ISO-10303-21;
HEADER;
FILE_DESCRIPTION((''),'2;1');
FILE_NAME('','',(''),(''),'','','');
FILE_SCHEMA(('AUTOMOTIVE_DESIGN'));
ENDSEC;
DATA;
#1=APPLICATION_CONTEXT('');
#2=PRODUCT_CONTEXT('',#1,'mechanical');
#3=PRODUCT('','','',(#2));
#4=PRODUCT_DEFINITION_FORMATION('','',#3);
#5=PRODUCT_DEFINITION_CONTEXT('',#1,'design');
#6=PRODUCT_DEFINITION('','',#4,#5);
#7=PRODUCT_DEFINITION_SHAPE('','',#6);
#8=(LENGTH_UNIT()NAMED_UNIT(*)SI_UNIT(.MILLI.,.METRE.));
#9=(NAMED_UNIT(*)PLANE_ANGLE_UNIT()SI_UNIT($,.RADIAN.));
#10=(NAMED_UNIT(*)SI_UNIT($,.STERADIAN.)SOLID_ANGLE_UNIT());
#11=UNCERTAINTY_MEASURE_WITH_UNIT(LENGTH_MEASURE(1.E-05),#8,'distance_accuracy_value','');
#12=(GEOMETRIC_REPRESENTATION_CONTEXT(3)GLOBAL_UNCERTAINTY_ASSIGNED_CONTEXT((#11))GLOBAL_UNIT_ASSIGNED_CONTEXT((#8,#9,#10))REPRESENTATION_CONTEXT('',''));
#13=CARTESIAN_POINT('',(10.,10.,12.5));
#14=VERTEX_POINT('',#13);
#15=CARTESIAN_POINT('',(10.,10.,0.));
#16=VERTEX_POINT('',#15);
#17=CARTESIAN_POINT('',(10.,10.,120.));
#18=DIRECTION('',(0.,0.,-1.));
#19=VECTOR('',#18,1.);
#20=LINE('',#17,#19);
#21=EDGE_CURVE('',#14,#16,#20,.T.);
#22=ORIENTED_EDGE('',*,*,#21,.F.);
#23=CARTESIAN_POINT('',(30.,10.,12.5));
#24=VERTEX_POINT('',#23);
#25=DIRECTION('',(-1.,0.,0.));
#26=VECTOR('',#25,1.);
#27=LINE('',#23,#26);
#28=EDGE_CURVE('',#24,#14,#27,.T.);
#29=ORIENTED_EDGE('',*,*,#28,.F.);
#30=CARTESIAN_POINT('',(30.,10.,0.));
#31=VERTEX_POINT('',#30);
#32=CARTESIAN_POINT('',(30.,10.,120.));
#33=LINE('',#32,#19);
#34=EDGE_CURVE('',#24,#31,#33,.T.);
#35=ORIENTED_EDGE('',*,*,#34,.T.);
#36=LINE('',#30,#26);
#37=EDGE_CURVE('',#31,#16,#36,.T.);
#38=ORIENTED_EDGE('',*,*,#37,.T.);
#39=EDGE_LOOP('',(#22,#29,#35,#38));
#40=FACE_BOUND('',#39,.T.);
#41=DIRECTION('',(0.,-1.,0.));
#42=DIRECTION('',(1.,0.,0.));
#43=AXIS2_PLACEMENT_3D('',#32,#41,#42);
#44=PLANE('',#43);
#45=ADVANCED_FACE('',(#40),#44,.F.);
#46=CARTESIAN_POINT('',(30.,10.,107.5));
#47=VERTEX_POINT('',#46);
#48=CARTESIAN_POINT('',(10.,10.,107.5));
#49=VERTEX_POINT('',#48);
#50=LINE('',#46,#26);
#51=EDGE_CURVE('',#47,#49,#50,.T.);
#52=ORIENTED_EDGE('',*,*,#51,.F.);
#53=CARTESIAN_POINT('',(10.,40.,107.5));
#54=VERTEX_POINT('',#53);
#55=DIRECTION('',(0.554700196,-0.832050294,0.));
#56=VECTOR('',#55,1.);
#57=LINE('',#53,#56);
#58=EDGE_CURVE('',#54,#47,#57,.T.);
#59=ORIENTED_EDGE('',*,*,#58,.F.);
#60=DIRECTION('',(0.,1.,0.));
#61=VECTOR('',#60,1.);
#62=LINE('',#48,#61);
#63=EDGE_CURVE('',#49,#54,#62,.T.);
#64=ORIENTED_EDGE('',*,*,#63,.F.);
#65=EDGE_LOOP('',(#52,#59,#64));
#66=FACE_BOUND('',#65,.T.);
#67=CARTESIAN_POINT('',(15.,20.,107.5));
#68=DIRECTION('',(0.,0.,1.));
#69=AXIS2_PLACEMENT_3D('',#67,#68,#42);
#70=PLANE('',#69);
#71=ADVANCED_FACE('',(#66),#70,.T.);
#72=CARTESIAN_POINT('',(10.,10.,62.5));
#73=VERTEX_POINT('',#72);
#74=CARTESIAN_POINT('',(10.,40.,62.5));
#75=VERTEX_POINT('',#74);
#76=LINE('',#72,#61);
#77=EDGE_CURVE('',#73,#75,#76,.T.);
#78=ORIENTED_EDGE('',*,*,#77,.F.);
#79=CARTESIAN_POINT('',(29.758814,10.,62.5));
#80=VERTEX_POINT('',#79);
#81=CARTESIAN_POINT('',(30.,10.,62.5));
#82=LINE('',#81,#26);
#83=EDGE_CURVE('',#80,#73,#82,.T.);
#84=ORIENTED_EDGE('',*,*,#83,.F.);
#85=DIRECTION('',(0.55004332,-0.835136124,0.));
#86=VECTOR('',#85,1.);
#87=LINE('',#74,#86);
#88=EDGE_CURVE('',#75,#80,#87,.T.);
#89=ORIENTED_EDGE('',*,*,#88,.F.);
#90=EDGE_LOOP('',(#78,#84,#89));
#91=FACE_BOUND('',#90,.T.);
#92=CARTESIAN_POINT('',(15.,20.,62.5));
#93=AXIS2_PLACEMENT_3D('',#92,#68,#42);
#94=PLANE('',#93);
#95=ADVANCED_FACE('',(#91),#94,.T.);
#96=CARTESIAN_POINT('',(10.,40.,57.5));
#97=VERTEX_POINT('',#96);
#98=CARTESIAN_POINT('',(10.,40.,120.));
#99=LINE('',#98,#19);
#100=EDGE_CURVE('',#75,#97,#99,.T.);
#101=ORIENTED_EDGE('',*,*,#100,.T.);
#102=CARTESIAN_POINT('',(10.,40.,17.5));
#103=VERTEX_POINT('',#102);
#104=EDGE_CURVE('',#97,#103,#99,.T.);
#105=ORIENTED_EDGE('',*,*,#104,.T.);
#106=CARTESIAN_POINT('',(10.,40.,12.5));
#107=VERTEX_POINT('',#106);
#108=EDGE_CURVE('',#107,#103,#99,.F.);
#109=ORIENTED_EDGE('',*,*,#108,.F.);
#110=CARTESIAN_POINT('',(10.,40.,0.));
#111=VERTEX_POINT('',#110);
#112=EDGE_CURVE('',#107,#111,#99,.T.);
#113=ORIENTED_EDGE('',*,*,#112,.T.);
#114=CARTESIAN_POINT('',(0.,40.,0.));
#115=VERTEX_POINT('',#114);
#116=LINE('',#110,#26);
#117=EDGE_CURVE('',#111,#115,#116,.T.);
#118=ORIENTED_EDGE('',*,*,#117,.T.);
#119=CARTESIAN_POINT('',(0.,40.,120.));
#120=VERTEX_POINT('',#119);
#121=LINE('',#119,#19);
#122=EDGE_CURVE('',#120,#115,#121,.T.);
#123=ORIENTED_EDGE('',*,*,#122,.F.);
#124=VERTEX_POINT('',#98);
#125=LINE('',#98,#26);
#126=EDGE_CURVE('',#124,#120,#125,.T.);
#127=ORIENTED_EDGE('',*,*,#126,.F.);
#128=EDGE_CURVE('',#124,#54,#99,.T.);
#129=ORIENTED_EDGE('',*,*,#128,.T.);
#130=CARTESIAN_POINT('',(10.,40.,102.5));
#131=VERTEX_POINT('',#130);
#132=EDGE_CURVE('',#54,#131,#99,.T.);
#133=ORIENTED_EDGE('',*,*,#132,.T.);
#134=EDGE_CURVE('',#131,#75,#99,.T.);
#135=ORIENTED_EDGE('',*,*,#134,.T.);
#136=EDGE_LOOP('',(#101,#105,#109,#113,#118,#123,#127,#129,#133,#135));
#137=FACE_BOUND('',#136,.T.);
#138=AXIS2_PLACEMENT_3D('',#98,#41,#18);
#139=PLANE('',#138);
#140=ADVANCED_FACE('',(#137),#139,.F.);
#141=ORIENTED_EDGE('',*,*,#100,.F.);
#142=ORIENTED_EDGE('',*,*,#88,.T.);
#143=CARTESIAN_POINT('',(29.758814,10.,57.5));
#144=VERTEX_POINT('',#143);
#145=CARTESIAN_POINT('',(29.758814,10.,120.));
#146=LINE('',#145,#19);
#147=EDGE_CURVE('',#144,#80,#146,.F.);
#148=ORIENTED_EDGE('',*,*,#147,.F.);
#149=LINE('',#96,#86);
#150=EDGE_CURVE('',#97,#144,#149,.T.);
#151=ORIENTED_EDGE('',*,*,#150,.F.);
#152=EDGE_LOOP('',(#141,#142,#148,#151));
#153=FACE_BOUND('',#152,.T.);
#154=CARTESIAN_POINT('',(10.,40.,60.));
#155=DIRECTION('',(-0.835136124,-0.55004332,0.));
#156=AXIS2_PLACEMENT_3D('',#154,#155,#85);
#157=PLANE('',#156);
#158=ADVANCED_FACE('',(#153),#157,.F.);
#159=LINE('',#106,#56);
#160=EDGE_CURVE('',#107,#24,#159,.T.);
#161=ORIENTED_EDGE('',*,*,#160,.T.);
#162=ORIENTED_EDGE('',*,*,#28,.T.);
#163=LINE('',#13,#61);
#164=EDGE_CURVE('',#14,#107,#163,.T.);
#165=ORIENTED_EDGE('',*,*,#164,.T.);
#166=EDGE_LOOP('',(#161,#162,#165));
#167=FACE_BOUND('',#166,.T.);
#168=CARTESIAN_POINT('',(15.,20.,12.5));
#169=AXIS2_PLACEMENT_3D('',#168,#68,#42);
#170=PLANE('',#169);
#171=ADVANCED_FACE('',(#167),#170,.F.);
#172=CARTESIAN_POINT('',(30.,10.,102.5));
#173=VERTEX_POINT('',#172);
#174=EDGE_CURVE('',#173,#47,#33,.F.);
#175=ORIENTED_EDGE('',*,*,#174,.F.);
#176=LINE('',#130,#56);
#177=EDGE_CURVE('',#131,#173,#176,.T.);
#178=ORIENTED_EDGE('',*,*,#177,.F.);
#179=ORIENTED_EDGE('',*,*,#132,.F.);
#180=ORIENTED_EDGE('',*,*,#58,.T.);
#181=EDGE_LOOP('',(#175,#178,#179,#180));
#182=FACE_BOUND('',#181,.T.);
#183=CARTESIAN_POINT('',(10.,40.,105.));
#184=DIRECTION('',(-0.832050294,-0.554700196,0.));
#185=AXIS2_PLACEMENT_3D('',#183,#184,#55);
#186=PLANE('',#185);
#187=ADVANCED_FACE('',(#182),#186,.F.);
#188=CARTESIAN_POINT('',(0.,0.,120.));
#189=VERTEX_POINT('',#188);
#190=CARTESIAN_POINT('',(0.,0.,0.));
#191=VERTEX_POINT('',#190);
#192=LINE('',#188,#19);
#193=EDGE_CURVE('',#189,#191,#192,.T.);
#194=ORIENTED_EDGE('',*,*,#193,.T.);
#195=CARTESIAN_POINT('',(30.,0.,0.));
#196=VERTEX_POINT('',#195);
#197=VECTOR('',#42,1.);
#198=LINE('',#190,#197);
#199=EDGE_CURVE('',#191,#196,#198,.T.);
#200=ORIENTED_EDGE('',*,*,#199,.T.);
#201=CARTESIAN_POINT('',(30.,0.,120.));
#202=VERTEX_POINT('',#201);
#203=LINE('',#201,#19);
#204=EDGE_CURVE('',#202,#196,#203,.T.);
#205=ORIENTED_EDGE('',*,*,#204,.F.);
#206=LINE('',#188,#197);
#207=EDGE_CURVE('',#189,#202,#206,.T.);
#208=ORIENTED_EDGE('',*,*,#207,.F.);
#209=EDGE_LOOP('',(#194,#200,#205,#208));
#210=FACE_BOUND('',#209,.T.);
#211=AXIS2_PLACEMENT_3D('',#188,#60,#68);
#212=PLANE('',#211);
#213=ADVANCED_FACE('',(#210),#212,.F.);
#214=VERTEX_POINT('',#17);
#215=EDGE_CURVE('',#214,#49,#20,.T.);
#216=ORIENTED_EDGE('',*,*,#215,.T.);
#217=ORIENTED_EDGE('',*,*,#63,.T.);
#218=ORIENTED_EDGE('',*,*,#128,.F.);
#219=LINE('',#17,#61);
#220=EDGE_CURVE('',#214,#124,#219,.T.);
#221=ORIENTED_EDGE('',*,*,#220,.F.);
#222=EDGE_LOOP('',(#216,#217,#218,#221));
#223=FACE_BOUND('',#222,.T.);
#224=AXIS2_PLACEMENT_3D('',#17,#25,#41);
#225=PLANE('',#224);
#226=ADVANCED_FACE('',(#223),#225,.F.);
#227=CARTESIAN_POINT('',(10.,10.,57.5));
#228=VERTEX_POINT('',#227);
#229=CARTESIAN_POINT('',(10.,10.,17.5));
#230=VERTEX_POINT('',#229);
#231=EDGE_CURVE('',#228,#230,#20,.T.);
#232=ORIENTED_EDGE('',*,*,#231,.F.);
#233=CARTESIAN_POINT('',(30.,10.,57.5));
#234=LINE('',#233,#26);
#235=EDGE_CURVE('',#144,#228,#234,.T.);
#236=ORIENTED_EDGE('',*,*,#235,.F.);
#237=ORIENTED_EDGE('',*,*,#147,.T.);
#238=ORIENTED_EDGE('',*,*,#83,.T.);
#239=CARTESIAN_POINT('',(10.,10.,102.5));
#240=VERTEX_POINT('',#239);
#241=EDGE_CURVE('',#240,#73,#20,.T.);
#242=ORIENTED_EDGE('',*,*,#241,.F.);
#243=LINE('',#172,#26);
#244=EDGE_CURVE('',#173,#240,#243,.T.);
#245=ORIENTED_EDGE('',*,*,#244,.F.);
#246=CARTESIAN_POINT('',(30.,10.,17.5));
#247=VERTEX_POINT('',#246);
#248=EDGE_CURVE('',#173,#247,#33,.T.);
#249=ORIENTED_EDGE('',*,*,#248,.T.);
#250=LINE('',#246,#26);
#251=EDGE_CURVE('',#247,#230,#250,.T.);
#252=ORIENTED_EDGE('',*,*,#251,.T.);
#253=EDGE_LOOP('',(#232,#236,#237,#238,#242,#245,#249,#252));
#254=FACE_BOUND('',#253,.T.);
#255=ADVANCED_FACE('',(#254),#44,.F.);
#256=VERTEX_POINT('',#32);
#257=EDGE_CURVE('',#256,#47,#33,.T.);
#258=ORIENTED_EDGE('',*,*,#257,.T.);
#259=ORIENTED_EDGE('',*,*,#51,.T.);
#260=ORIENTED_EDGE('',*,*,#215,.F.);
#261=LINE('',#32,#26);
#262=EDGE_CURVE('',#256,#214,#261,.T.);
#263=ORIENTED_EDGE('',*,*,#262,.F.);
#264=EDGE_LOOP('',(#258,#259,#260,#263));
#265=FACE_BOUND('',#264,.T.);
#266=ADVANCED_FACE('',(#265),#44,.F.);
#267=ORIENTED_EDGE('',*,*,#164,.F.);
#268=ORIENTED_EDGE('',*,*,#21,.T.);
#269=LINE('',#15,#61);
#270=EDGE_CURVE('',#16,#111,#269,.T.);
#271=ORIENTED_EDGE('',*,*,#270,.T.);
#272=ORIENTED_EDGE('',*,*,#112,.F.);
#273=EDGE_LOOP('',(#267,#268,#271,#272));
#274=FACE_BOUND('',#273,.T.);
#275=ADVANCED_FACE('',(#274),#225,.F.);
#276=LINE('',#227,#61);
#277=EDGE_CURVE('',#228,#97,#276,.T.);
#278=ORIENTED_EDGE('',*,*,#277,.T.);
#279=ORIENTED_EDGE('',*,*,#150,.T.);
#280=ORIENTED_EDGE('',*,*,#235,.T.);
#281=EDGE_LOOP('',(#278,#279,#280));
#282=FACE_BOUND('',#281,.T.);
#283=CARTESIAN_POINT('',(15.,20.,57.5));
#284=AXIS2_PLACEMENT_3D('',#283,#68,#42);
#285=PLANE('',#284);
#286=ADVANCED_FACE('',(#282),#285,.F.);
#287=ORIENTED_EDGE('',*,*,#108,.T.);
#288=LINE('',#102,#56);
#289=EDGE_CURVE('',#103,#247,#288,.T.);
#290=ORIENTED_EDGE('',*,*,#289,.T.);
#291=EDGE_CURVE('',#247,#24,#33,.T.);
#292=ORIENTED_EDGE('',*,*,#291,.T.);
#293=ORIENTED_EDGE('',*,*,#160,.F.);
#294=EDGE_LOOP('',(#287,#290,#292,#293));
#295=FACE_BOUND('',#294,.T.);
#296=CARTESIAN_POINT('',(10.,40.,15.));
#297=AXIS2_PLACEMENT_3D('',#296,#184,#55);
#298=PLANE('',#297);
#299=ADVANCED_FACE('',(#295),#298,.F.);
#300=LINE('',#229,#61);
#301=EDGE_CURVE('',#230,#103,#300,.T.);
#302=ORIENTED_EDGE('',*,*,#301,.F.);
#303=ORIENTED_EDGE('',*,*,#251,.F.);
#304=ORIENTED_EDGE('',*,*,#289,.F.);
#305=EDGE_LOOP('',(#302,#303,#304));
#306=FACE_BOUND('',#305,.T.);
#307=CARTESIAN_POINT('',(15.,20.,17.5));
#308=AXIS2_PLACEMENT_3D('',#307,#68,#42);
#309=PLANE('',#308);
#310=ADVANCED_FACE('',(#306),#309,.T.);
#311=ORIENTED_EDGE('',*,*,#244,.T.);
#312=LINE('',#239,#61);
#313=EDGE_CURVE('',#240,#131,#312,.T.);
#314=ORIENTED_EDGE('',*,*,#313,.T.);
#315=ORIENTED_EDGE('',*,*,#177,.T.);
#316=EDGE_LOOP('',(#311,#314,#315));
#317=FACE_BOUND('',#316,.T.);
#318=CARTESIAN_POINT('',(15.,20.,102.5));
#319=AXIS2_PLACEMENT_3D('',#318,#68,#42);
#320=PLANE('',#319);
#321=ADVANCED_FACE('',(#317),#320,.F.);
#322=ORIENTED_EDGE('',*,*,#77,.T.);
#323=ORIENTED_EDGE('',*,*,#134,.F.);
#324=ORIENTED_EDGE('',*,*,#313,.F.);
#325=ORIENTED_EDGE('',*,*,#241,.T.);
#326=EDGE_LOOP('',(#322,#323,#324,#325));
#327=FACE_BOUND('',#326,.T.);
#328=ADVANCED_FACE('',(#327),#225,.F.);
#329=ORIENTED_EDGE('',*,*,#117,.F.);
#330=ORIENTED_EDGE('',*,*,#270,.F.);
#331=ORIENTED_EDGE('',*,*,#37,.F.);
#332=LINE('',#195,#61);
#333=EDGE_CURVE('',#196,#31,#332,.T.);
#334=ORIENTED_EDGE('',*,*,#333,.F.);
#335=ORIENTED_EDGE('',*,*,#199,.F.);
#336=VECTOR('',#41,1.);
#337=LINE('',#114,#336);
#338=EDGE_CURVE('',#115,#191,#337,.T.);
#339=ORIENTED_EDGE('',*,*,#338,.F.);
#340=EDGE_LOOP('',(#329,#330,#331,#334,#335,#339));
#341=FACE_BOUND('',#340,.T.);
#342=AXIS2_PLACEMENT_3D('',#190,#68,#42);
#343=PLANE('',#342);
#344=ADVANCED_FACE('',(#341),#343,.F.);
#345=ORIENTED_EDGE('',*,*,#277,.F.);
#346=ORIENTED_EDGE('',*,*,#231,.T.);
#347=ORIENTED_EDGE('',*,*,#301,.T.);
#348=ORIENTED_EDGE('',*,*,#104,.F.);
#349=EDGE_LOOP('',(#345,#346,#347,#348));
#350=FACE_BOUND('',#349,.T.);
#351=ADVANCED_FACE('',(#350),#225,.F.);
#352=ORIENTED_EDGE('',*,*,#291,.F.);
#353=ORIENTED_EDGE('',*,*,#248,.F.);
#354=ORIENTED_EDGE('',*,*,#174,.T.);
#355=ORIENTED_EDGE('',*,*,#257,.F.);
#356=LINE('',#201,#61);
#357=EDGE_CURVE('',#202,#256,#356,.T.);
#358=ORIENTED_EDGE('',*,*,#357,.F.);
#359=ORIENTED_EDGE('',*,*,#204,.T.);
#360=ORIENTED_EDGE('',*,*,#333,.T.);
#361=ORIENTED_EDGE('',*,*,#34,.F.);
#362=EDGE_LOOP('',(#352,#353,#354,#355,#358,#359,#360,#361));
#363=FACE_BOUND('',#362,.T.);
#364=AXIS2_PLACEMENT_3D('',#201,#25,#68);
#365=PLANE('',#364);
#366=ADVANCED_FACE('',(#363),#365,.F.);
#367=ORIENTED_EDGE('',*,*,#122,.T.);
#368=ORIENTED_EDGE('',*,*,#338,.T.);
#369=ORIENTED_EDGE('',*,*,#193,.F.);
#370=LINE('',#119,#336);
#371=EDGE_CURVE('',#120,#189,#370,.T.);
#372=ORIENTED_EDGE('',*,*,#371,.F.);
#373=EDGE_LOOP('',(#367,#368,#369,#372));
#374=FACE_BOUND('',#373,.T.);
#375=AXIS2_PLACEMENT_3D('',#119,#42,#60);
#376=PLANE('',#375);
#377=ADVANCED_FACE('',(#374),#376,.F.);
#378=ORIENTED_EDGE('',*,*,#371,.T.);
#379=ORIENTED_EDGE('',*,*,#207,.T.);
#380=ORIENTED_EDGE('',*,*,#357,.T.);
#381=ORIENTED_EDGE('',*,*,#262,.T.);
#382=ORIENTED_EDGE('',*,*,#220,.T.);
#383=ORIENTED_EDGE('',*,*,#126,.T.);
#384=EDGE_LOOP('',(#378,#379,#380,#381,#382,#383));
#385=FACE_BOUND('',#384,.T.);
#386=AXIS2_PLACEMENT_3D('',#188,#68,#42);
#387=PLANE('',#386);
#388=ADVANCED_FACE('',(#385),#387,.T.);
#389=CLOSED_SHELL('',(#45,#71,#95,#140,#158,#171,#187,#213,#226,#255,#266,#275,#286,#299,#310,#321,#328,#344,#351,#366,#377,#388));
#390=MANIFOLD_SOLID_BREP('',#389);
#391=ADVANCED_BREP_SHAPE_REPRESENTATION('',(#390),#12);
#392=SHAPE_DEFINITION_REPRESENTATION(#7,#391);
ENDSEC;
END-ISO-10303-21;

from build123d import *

# Parameters (mm, degrees)
BOSS_EXTRUDE1_DEPTH = 120
RIB2_REACH          = 80.102
SKETCH2_WALL_W      = 194.127281078
SKETCH2_WALL_H      = 5
RIB3_REACH          = 118.297
SKETCH3_WALL_W      = 270.649579746
SKETCH3_WALL_H      = 5
RIB4_REACH          = 118.297
SKETCH4_WALL_W      = 270.649579746
SKETCH4_WALL_H      = 5


with BuildPart() as part:
    # Sketch1 → Boss-Extrude1 (new body)
    with BuildSketch(Plane.XY):
        Polygon((0, 40), (0, 0), (30, 0), (30, 10), (10, 10), (10, 40), align=None)
    extrude(amount=BOSS_EXTRUDE1_DEPTH)

    # Sketch2 wall → Rib2 (add, up to next)
    with BuildSketch(Plane(origin=(19.879407162, 25, 60), x_dir=(0.550043320359, -0.835136124071, 0), z_dir=(0.835136124071, 0.550043320359, 0)), mode=Mode.PRIVATE) as rib2_sk1:
        Rectangle(SKETCH2_WALL_W, SKETCH2_WALL_H)
    rib2_tool1 = extrude(rib2_sk1.sketch, amount=-RIB2_REACH, mode=Mode.PRIVATE) - part.part
    add(rib2_tool1.solids().sort_by_distance((19.879407162, 25, 60))[0])

    # Sketch3 wall → Rib3 (add, up to next)
    with BuildSketch(Plane(origin=(20, 25, 105), x_dir=(0.554700196225, -0.832050294338, 0), z_dir=(0.832050294338, 0.554700196225, 0)), mode=Mode.PRIVATE) as rib3_sk1:
        Rectangle(SKETCH3_WALL_W, SKETCH3_WALL_H)
    rib3_tool1 = extrude(rib3_sk1.sketch, amount=-RIB3_REACH, mode=Mode.PRIVATE) - part.part
    add(rib3_tool1.solids().sort_by_distance((20, 25, 105))[0])

    # Sketch4 wall → Rib4 (add, up to next)
    with BuildSketch(Plane(origin=(20, 25, 15), x_dir=(0.554700196225, -0.832050294338, 0), z_dir=(0.832050294338, 0.554700196225, 0)), mode=Mode.PRIVATE) as rib4_sk1:
        Rectangle(SKETCH4_WALL_W, SKETCH4_WALL_H)
    rib4_tool1 = extrude(rib4_sk1.sketch, amount=-RIB4_REACH, mode=Mode.PRIVATE) - part.part
    add(rib4_tool1.solids().sort_by_distance((20, 25, 15))[0])


solid = part.part
